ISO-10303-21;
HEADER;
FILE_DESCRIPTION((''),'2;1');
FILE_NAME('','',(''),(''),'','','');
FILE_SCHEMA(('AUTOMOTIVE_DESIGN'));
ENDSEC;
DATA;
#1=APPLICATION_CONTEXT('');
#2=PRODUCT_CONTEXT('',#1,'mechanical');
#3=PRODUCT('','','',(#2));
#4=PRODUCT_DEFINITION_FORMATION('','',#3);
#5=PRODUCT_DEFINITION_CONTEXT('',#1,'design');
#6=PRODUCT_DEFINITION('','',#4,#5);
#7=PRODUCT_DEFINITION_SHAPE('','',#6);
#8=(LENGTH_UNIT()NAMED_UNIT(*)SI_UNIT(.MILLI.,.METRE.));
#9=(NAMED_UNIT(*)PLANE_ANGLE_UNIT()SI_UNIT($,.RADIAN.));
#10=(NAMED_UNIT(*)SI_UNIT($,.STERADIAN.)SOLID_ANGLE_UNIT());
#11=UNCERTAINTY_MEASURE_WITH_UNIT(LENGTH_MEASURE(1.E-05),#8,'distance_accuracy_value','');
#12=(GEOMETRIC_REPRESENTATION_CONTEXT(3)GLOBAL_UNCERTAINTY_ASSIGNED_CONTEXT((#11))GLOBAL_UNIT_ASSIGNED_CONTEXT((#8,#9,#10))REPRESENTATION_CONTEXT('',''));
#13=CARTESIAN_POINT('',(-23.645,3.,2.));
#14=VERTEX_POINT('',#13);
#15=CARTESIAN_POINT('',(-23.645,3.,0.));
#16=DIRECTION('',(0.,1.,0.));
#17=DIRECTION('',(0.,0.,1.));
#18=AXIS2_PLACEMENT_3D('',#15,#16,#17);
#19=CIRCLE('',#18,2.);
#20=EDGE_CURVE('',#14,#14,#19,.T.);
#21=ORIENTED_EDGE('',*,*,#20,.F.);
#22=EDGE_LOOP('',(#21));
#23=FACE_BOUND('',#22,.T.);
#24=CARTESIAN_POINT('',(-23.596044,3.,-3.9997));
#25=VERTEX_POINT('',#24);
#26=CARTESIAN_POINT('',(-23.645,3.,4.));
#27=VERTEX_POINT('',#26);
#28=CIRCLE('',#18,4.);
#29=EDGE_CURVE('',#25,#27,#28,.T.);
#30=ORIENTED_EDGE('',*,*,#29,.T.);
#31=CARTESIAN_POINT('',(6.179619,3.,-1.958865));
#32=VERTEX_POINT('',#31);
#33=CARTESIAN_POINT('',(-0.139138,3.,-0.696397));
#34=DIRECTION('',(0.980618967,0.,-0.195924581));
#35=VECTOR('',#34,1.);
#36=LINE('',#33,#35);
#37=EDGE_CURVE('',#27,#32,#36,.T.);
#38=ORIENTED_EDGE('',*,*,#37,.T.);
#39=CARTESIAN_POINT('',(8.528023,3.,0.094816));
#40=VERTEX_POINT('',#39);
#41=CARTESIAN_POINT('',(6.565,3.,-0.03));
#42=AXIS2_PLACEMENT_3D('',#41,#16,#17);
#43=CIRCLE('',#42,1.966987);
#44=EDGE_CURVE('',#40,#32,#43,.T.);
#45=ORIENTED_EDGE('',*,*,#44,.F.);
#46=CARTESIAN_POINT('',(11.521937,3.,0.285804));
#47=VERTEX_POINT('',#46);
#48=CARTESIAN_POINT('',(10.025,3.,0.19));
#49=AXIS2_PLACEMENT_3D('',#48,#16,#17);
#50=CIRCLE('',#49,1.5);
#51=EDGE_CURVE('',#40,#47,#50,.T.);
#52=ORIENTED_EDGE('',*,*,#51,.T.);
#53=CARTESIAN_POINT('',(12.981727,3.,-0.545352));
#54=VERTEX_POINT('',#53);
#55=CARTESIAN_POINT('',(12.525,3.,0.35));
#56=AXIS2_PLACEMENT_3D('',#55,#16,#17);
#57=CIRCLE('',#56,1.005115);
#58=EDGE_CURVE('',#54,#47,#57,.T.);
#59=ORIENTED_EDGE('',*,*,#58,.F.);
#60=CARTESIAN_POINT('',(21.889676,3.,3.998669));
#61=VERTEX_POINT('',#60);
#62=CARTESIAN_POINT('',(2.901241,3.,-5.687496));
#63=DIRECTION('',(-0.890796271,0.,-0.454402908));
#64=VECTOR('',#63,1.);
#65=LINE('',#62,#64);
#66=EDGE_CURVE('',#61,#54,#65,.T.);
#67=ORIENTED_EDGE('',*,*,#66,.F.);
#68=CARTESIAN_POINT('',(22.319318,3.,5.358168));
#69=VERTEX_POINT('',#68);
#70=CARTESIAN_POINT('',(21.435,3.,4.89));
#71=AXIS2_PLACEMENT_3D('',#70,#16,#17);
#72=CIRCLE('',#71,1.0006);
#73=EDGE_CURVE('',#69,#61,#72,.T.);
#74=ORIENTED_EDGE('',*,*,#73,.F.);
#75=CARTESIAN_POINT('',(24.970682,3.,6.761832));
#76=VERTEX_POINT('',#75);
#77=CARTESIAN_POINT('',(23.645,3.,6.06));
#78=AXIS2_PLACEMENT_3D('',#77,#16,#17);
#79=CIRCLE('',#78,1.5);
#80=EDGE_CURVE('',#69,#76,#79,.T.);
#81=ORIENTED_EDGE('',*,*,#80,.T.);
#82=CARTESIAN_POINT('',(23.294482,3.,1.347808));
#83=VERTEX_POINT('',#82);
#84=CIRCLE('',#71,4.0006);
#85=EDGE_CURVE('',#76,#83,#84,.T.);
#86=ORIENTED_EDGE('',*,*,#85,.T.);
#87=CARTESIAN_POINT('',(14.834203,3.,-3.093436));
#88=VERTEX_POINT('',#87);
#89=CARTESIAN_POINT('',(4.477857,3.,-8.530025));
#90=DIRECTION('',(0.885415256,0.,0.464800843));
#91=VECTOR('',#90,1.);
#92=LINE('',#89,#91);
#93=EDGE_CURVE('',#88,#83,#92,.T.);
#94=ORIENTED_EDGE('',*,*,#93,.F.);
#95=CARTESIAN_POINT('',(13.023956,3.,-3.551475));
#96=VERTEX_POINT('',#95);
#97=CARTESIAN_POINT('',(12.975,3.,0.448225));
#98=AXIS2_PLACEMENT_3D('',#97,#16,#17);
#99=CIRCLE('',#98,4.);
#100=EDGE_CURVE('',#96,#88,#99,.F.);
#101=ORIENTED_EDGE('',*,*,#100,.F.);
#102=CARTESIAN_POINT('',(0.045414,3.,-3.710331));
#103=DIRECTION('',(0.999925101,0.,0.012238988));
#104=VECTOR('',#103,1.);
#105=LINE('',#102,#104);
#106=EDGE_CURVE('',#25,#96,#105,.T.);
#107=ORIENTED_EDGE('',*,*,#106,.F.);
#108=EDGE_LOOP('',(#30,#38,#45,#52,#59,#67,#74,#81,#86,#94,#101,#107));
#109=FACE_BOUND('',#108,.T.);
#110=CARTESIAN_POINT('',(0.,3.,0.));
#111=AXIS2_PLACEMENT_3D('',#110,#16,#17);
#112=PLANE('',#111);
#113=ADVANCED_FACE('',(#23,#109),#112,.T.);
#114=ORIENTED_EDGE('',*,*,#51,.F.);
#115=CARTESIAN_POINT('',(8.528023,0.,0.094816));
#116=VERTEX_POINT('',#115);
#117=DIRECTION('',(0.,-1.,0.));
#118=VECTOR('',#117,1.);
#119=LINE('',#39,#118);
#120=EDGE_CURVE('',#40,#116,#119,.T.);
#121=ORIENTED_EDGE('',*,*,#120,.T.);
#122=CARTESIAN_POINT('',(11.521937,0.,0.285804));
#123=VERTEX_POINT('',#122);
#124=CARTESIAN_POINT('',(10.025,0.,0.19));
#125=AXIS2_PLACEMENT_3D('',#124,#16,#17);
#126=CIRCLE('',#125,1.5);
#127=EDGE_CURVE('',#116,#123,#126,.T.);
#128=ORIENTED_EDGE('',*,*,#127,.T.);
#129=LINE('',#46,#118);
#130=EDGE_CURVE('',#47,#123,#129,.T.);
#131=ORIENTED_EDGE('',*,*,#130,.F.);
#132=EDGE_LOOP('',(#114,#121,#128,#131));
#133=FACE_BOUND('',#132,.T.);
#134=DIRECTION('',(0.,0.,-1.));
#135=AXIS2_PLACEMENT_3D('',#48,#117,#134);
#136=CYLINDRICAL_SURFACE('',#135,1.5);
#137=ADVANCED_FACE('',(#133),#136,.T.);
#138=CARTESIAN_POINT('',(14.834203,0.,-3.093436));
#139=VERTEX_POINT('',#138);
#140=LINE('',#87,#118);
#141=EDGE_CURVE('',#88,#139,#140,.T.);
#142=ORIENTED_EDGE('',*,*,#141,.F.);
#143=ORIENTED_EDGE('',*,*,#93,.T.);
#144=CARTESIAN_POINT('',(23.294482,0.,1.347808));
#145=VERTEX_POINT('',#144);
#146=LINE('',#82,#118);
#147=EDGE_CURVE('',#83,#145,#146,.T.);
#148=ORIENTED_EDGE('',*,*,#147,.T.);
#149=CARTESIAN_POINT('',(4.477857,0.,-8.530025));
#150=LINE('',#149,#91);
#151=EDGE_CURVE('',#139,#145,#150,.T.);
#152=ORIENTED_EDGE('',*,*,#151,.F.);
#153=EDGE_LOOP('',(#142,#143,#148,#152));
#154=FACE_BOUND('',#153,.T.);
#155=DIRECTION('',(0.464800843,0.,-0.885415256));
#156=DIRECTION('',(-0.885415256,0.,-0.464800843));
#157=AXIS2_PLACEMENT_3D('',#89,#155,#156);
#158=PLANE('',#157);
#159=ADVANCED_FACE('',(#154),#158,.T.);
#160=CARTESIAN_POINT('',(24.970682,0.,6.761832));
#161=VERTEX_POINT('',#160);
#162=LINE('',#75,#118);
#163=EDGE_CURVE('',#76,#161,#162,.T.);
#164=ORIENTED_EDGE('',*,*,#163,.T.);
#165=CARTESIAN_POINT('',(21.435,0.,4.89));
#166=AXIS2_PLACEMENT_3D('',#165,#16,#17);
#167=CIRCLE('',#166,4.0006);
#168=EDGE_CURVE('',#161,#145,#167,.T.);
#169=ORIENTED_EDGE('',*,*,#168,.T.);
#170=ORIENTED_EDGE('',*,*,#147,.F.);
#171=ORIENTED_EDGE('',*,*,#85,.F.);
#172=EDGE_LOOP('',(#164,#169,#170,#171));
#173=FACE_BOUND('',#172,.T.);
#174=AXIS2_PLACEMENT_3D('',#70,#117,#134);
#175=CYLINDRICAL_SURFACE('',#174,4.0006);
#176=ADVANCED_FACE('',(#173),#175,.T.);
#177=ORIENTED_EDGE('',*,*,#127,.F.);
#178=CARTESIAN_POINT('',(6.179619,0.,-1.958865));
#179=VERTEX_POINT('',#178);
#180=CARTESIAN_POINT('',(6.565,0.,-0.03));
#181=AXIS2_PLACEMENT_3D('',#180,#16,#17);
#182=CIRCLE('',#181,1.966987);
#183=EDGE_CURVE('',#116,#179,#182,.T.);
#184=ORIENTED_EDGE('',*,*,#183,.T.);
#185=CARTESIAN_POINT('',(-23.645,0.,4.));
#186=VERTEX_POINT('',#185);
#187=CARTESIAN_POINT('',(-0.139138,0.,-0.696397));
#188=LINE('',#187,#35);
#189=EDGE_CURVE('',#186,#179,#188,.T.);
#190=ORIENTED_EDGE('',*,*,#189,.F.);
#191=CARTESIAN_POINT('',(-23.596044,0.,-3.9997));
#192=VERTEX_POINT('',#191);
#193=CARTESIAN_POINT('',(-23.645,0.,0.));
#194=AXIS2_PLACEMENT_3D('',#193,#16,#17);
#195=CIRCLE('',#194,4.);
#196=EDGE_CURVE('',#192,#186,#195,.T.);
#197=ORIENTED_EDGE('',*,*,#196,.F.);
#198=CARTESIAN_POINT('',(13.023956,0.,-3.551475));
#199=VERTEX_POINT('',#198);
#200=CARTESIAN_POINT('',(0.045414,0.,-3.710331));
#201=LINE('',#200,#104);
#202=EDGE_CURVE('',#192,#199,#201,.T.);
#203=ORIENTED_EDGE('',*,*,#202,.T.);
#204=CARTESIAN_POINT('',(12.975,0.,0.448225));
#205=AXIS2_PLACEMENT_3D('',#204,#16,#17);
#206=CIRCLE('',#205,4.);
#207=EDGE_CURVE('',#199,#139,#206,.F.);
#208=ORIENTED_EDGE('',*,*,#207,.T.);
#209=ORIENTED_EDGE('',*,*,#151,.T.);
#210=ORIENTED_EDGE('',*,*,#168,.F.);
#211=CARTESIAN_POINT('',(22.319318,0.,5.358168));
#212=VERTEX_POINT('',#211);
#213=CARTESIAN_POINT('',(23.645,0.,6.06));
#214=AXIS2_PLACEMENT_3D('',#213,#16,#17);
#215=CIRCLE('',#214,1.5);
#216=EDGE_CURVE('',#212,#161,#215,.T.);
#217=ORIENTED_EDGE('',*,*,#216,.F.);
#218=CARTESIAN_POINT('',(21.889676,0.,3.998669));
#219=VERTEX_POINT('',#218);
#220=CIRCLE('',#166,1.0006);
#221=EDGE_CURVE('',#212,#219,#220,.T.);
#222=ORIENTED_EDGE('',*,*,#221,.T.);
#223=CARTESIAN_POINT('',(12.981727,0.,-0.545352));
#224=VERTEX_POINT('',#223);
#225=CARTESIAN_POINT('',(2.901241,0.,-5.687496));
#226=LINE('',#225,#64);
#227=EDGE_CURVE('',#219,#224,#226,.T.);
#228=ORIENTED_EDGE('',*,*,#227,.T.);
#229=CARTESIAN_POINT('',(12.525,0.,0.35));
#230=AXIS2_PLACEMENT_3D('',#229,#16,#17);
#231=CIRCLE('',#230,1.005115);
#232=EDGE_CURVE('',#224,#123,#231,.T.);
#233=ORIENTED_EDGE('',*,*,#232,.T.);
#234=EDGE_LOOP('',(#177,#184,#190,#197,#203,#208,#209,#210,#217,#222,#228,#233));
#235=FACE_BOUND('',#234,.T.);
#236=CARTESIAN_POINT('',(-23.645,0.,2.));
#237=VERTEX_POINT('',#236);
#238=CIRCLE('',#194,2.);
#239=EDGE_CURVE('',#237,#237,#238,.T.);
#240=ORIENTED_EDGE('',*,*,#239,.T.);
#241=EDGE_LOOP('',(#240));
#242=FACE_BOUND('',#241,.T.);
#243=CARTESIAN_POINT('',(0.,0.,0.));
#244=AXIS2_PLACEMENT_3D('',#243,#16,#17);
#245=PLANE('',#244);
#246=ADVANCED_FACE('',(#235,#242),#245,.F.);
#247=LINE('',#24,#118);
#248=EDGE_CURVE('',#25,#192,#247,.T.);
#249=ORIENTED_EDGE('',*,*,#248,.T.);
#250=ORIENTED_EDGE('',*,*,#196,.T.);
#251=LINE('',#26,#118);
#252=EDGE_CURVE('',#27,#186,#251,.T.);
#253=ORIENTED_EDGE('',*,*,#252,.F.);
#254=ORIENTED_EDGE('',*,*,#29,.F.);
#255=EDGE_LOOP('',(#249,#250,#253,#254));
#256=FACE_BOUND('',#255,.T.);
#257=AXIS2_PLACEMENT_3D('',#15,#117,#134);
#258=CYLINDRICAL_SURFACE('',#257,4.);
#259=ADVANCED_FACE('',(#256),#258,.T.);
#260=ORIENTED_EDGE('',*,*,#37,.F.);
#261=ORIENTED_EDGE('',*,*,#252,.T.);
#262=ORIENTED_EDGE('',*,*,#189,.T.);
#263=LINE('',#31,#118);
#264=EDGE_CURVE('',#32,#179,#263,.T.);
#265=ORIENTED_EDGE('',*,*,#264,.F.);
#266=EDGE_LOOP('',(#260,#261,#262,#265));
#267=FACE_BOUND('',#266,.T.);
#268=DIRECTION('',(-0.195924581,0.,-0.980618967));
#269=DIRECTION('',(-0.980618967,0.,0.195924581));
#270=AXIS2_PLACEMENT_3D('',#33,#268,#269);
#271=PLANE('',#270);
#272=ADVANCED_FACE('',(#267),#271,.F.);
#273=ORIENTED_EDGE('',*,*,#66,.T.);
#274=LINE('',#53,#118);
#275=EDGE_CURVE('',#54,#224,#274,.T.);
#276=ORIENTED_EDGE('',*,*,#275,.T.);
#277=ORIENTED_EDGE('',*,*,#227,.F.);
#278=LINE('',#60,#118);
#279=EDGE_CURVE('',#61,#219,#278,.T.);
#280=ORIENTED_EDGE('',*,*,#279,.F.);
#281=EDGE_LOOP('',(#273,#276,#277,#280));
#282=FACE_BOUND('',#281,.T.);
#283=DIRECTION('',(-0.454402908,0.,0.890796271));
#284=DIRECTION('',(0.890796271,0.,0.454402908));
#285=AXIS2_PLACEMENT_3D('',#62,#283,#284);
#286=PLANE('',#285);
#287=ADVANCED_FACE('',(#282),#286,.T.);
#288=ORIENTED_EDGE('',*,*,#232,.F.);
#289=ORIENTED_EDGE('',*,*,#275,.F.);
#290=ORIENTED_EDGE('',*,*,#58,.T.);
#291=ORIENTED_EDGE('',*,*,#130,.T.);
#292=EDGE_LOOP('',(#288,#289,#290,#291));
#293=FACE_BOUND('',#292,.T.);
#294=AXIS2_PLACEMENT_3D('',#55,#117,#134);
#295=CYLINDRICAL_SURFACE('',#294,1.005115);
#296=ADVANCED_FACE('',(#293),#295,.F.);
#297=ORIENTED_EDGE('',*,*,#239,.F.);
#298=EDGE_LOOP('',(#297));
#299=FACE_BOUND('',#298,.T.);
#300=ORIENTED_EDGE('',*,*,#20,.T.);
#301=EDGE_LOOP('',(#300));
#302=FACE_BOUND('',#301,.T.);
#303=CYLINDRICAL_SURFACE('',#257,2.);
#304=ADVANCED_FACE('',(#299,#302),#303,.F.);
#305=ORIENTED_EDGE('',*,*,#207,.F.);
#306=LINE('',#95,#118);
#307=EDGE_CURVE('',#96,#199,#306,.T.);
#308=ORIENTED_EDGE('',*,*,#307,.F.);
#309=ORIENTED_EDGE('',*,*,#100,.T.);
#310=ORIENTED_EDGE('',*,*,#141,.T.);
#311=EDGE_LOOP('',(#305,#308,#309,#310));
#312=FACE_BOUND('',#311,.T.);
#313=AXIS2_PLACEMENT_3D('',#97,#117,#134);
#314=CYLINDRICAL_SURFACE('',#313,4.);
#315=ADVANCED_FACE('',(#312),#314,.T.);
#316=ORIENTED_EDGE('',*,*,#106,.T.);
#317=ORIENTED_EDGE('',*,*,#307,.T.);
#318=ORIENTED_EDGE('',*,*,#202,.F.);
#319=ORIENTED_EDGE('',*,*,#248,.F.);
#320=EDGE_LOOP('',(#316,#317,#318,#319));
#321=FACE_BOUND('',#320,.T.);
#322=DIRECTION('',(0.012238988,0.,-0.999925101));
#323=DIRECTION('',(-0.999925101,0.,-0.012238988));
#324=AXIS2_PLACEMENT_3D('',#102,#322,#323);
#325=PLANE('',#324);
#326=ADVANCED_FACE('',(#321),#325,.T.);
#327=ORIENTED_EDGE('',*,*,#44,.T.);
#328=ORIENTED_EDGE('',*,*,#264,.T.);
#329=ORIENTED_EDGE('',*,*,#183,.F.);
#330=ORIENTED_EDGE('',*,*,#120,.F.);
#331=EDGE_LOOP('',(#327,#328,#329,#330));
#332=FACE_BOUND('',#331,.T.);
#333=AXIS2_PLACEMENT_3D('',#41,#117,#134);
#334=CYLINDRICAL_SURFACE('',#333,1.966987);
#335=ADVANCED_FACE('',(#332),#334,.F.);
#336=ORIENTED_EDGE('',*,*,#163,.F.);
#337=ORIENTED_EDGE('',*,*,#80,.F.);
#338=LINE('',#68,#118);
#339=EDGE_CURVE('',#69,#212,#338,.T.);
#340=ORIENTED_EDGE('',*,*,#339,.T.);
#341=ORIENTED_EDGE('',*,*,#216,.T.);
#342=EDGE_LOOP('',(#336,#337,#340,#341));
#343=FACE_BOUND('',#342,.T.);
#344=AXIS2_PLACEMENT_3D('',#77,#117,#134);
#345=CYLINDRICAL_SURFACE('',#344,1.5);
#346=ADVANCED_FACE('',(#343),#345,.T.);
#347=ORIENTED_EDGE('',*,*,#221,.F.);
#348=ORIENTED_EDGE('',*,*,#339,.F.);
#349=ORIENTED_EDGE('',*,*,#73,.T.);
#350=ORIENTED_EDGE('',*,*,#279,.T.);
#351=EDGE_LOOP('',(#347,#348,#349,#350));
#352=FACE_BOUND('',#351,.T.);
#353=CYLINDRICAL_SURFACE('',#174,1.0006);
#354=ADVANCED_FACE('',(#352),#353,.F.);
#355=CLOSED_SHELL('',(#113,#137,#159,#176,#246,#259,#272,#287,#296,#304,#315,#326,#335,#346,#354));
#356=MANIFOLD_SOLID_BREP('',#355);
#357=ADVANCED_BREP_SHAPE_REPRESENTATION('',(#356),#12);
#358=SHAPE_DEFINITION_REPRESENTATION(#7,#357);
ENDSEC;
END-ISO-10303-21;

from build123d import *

# Parameters (mm, degrees)
SKETCH1_R           = 2
BOSS_EXTRUDE1_DEPTH = 3


with BuildPart() as part:
    # Sketch1 → Boss-Extrude1 (new body)
    with BuildSketch(Plane(origin=(0, 0, 0), x_dir=(-1, 0, 0), z_dir=(0, 1, 0))):
        with BuildLine():
            Line((-13.023955953, -3.551475079), (23.596044053, -3.999700403))
            ThreePointArc((23.596044053, -3.999700403), (27.6449251, -0.024478432), (23.645, 4))
            Line((23.645, 4), (-6.179618863, -1.958864922))
            ThreePointArc((-6.179618863, -1.958864922), (-7.859851478, -1.510674898), (-8.52802301, 0.094816535))
            ThreePointArc((-8.52802301, 0.094816535), (-9.929506285, 1.686957231), (-11.521937407, 0.285803961))
            ThreePointArc((-11.521937407, 0.285803961), (-12.027681304, -0.523458534), (-12.981727074, -0.545352487))
            Line((-12.981727074, -0.545352487), (-21.889675517, 3.998669315))
            ThreePointArc((-21.889675517, 3.998669315), (-22.389088805, 4.58847924), (-22.319318125, 5.358168419))
            ThreePointArc((-22.319318125, 5.358168419), (-22.943168419, 7.385681875), (-24.970681875, 6.761831581))
            ThreePointArc((-24.970681875, 6.761831581), (-25.256630844, 3.706810464), (-23.29448222, 1.347807789))
            Line((-23.29448222, 1.347807789), (-14.834203373, -3.093435701))
            ThreePointArc((-14.834203373, -3.093435701), (-13.956181951, -3.429568117), (-13.023955953, -3.551475079))
        make_face()
        with Locations(Location((23.645, 0, 0), (0, 0, 90))):
            Circle(SKETCH1_R, mode=Mode.SUBTRACT)
    extrude(amount=BOSS_EXTRUDE1_DEPTH)


solid = part.part
